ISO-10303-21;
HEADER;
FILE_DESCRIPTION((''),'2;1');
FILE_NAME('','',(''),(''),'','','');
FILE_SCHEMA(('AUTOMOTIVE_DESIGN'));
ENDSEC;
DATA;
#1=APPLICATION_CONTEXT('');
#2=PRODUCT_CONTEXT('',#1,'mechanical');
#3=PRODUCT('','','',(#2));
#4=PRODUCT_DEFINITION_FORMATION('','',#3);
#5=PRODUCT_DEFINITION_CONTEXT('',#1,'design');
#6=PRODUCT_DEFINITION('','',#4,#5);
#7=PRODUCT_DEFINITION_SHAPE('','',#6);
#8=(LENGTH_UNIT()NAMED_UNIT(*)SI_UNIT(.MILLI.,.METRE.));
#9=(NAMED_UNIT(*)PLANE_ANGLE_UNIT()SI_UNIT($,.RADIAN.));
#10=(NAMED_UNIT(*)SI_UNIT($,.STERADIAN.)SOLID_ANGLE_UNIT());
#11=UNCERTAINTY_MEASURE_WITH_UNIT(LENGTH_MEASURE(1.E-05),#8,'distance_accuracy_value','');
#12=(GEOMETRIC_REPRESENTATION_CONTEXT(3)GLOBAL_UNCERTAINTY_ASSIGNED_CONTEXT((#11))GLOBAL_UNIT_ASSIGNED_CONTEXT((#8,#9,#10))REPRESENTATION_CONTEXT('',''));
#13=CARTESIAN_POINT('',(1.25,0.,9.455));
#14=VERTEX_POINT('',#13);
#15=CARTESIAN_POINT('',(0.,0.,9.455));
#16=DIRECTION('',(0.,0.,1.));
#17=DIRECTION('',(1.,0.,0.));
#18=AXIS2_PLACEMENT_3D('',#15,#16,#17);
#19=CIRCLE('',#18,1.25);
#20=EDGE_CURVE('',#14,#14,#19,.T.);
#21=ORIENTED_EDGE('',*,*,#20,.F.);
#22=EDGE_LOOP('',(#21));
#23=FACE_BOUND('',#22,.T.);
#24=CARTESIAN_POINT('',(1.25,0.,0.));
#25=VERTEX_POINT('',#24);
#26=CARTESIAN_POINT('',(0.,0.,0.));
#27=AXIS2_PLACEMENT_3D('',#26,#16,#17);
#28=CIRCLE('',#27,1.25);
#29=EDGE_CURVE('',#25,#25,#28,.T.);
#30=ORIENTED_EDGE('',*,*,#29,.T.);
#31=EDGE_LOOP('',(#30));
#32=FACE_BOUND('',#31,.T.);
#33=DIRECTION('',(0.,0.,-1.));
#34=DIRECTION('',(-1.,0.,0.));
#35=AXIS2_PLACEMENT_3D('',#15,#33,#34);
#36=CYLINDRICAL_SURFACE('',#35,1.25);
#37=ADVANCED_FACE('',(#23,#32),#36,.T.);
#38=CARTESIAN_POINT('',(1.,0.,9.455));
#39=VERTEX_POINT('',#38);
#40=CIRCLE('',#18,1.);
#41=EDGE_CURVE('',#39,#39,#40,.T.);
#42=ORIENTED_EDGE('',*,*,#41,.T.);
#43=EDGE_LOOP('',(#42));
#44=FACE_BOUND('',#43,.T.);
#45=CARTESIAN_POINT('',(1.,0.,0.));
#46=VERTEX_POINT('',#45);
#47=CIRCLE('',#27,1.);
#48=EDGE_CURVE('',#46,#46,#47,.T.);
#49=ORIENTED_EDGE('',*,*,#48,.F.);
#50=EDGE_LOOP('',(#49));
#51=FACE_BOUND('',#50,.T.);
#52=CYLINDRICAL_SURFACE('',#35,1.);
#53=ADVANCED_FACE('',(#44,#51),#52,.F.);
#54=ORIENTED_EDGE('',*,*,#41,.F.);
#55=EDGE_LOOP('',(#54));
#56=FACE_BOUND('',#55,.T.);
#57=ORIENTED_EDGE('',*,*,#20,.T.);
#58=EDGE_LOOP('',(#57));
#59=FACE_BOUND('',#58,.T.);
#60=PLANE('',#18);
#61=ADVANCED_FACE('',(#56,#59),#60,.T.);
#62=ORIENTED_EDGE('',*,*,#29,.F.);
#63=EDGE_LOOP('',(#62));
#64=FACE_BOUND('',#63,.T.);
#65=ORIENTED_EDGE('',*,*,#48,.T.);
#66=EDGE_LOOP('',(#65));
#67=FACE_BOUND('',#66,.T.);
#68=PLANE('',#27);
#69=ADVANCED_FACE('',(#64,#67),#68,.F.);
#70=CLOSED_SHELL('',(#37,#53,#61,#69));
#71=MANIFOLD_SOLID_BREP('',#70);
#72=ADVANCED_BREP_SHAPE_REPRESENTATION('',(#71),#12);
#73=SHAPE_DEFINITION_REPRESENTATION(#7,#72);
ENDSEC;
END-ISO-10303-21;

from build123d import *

# Parameters (mm, degrees)
SKETCH1_R           = 1.25
SKETCH1_R_2         = 1
BOSS_EXTRUDE1_DEPTH = 9.455


with BuildPart() as part:
    # Sketch1 → Boss-Extrude1 (new body)
    with BuildSketch(Plane.XY):
        Circle(SKETCH1_R)
        Circle(SKETCH1_R_2, mode=Mode.SUBTRACT)
    extrude(amount=BOSS_EXTRUDE1_DEPTH)


solid = part.part
